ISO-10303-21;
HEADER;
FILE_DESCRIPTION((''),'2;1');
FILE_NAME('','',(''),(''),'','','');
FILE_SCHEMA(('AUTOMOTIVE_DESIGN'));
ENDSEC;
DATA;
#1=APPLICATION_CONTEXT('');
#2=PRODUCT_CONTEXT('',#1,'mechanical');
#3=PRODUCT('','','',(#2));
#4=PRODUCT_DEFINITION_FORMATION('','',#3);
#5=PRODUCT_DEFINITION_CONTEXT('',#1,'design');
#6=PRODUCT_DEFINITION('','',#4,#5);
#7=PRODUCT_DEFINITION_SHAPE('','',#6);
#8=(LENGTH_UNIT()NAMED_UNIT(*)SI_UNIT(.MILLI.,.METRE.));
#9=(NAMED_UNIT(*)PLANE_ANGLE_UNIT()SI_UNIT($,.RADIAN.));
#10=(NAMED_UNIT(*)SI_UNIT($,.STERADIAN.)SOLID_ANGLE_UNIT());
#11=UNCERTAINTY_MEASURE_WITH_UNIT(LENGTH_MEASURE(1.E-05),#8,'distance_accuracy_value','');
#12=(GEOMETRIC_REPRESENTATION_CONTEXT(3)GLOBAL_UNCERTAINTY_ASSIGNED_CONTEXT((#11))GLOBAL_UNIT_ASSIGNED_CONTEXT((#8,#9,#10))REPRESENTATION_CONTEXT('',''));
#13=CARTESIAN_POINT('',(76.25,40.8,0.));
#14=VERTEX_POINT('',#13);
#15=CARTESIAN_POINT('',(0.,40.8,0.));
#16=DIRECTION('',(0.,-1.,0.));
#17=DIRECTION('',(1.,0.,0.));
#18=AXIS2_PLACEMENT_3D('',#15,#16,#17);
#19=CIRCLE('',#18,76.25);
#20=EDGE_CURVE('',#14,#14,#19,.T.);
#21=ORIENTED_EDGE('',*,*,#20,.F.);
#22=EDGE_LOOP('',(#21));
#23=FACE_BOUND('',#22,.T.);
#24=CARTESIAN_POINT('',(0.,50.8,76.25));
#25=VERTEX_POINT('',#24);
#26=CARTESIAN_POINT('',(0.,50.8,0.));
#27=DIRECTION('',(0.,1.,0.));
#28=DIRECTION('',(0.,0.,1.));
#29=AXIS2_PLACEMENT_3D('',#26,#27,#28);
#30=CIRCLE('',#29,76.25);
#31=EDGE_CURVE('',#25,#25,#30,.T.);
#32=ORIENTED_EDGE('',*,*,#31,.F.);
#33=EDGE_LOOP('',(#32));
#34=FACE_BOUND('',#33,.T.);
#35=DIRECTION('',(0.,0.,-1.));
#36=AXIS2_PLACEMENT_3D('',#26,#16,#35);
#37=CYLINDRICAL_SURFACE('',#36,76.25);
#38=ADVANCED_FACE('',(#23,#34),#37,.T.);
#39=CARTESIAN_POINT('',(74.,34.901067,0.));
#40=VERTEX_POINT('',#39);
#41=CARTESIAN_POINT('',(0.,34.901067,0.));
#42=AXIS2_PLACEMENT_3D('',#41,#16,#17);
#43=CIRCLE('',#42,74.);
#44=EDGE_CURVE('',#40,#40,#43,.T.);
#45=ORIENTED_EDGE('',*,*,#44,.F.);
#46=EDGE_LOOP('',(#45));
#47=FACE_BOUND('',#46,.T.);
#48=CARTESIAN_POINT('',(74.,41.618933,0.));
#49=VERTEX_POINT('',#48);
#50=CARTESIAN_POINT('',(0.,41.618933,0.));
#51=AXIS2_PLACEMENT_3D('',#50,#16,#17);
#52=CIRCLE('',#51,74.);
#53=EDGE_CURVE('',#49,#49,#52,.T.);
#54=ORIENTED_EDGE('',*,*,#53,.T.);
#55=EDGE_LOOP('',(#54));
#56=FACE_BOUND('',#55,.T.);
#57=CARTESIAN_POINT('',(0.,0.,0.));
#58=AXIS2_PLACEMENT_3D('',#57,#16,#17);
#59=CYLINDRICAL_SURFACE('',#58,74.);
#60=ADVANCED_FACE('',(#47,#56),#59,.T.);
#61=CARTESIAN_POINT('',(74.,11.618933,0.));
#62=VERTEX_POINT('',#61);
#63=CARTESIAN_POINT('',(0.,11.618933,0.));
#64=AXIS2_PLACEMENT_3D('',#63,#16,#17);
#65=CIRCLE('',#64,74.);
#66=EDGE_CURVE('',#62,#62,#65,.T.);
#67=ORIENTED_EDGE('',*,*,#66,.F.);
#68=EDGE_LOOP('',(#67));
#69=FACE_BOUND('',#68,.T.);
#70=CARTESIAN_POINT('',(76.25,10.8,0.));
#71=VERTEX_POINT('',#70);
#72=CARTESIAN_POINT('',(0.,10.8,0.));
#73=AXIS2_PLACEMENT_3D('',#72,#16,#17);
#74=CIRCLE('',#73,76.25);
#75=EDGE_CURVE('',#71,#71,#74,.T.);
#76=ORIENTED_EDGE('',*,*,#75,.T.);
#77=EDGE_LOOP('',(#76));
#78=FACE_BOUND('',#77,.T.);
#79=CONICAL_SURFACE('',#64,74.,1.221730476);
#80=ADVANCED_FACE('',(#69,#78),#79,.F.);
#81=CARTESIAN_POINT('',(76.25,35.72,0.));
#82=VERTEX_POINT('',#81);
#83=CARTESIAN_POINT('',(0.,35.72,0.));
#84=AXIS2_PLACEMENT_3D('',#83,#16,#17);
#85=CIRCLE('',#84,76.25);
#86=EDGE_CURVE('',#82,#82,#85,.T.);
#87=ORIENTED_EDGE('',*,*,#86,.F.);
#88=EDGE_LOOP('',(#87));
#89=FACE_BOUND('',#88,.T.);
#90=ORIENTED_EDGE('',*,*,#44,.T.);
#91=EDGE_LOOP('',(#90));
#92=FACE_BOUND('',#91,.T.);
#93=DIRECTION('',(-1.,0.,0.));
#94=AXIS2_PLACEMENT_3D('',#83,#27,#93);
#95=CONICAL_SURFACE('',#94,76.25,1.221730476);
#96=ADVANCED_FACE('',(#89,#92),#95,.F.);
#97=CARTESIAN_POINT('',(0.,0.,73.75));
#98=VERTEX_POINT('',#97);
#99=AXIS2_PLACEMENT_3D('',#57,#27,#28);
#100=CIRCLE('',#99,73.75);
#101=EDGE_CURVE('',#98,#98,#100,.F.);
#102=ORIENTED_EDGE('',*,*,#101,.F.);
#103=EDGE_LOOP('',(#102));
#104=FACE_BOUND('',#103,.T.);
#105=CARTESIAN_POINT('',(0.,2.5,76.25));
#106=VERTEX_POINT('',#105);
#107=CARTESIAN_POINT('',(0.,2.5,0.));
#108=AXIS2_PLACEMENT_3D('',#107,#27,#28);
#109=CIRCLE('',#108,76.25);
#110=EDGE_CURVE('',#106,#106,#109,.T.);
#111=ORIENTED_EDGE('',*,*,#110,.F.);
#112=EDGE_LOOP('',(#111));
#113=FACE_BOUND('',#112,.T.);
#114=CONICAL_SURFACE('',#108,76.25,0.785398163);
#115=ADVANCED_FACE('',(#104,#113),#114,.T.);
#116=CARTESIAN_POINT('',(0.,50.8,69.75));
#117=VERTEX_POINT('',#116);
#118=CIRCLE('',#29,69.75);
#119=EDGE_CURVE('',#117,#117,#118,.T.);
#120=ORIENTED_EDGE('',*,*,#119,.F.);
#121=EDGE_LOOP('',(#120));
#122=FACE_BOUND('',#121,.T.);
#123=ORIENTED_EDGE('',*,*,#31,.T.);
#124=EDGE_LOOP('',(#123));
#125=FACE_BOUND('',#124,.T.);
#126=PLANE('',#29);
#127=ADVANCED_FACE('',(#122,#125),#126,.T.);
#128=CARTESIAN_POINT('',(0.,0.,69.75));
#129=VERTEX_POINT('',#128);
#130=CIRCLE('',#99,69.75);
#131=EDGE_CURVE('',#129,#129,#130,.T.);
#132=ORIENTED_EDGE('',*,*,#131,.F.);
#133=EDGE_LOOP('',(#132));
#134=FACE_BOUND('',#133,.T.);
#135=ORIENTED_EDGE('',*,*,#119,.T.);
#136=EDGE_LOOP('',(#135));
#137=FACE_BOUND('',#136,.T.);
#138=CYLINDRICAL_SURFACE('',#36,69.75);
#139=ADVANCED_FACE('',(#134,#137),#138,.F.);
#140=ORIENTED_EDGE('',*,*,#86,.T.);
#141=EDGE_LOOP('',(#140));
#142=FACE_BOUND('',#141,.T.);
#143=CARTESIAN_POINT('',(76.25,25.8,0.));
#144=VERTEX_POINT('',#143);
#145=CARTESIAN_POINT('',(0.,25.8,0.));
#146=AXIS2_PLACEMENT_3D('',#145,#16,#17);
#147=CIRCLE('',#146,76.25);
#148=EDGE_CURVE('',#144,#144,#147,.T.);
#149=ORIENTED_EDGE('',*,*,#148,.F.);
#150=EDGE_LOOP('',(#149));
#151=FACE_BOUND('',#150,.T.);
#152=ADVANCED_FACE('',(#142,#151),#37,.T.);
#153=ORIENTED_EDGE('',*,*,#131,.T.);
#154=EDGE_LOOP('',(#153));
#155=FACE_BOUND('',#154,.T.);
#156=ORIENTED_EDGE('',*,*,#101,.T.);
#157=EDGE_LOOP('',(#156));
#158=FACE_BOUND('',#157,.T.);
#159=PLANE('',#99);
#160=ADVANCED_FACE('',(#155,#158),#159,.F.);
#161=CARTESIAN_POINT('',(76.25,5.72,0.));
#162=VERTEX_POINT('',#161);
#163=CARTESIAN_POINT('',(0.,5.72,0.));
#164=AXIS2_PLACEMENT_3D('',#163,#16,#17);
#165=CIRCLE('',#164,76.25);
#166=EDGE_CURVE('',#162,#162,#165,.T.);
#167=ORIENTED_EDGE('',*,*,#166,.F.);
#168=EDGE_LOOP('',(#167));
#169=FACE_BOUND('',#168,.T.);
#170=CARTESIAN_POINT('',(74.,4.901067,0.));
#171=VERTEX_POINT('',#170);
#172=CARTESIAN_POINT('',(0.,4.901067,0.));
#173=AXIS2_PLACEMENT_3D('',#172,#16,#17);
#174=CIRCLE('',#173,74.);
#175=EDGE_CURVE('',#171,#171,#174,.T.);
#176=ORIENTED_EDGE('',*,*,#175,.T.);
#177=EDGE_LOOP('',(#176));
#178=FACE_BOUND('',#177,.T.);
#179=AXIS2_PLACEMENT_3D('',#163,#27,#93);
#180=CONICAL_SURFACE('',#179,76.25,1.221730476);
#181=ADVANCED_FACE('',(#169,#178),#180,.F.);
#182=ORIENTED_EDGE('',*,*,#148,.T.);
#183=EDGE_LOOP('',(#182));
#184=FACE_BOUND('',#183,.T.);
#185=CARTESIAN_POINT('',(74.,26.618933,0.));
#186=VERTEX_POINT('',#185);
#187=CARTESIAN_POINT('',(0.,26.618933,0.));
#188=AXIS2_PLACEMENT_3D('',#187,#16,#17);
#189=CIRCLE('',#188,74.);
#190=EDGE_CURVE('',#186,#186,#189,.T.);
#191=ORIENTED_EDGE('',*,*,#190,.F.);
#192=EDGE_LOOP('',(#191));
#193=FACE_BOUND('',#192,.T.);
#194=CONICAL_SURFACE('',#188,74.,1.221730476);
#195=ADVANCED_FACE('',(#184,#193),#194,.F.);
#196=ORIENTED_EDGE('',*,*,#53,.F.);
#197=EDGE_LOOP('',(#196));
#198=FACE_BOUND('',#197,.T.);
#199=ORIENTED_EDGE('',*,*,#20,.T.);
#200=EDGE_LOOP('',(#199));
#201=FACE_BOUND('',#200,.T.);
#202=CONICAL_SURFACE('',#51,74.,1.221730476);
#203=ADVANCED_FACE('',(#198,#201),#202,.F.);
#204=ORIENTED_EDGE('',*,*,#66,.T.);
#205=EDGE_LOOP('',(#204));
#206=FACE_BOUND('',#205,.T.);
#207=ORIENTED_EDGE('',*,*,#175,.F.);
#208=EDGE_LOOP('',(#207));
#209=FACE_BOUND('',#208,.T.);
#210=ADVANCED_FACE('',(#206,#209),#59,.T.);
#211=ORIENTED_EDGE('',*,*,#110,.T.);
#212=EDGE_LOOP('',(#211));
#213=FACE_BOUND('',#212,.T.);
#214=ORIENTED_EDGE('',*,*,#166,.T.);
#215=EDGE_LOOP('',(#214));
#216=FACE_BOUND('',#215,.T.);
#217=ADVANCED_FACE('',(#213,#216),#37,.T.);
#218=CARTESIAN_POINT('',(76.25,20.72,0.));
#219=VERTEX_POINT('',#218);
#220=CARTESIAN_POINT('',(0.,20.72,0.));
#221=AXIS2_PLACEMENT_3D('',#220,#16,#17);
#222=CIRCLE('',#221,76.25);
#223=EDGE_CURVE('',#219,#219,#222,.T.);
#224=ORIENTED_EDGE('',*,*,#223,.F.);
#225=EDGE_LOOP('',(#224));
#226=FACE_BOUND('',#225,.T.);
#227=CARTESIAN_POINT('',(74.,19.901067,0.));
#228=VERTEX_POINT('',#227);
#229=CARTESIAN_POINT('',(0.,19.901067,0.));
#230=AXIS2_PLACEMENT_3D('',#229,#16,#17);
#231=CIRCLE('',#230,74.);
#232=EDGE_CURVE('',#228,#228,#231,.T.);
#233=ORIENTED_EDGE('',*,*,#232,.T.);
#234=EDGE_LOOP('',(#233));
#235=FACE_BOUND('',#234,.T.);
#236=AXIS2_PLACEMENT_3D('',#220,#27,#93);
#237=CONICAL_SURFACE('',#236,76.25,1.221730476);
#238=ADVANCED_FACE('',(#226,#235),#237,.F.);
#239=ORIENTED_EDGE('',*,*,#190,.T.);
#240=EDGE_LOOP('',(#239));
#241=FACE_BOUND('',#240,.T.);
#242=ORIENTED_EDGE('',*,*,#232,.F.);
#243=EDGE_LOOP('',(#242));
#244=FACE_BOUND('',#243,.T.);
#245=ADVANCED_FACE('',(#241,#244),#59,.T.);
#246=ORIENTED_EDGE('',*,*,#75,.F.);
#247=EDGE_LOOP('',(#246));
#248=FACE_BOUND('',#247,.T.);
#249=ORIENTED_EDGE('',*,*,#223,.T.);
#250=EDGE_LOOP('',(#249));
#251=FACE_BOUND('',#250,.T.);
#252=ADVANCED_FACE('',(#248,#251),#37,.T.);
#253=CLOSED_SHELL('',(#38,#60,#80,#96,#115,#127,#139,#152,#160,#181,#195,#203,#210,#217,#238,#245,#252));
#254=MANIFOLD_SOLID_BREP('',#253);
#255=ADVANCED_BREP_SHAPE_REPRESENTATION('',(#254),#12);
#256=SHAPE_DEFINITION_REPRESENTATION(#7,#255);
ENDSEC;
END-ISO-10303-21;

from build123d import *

# Parameters (mm, degrees)
SKETCH1_R           = 76.25
SKETCH1_R_2         = 69.75
BOSS_EXTRUDE1_DEPTH = 50.8
CHAMFER1_SIZE       = 2.5


with BuildPart() as part:
    # Sketch1 → Boss-Extrude1 (new body)
    with BuildSketch(Plane(origin=(0, 0, 0), x_dir=(1, 0, 0), z_dir=(0, 1, 0))):
        Circle(SKETCH1_R)
        Circle(SKETCH1_R_2, mode=Mode.SUBTRACT)
    extrude(amount=BOSS_EXTRUDE1_DEPTH)

    # Sketch2 → Cut-Revolve1 (revolve, cut)
    with BuildSketch(Plane.XY):
        Polygon((-76.25, 40.8), (-76.25, 35.72), (-74, 34.901066973), (-74, 41.618933027), align=None)
        Polygon((-74, 26.618933027), (-74, 19.901066973), (-76.25, 20.72), (-76.25, 25.8), align=None)
        Polygon((-74, 11.618933027), (-74, 4.901066973), (-76.25, 5.72), (-76.25, 10.8), align=None)
    revolve(axis=Axis((0, 0, 0), (0, 1, 0)), mode=Mode.SUBTRACT)

    # Chamfer1
    chamfer1_edges = [part.edges().sort_by_distance(p)[0] for p in [
        (-76.25, 0, 0),
    ]]
    chamfer(chamfer1_edges, length=CHAMFER1_SIZE)


solid = part.part
